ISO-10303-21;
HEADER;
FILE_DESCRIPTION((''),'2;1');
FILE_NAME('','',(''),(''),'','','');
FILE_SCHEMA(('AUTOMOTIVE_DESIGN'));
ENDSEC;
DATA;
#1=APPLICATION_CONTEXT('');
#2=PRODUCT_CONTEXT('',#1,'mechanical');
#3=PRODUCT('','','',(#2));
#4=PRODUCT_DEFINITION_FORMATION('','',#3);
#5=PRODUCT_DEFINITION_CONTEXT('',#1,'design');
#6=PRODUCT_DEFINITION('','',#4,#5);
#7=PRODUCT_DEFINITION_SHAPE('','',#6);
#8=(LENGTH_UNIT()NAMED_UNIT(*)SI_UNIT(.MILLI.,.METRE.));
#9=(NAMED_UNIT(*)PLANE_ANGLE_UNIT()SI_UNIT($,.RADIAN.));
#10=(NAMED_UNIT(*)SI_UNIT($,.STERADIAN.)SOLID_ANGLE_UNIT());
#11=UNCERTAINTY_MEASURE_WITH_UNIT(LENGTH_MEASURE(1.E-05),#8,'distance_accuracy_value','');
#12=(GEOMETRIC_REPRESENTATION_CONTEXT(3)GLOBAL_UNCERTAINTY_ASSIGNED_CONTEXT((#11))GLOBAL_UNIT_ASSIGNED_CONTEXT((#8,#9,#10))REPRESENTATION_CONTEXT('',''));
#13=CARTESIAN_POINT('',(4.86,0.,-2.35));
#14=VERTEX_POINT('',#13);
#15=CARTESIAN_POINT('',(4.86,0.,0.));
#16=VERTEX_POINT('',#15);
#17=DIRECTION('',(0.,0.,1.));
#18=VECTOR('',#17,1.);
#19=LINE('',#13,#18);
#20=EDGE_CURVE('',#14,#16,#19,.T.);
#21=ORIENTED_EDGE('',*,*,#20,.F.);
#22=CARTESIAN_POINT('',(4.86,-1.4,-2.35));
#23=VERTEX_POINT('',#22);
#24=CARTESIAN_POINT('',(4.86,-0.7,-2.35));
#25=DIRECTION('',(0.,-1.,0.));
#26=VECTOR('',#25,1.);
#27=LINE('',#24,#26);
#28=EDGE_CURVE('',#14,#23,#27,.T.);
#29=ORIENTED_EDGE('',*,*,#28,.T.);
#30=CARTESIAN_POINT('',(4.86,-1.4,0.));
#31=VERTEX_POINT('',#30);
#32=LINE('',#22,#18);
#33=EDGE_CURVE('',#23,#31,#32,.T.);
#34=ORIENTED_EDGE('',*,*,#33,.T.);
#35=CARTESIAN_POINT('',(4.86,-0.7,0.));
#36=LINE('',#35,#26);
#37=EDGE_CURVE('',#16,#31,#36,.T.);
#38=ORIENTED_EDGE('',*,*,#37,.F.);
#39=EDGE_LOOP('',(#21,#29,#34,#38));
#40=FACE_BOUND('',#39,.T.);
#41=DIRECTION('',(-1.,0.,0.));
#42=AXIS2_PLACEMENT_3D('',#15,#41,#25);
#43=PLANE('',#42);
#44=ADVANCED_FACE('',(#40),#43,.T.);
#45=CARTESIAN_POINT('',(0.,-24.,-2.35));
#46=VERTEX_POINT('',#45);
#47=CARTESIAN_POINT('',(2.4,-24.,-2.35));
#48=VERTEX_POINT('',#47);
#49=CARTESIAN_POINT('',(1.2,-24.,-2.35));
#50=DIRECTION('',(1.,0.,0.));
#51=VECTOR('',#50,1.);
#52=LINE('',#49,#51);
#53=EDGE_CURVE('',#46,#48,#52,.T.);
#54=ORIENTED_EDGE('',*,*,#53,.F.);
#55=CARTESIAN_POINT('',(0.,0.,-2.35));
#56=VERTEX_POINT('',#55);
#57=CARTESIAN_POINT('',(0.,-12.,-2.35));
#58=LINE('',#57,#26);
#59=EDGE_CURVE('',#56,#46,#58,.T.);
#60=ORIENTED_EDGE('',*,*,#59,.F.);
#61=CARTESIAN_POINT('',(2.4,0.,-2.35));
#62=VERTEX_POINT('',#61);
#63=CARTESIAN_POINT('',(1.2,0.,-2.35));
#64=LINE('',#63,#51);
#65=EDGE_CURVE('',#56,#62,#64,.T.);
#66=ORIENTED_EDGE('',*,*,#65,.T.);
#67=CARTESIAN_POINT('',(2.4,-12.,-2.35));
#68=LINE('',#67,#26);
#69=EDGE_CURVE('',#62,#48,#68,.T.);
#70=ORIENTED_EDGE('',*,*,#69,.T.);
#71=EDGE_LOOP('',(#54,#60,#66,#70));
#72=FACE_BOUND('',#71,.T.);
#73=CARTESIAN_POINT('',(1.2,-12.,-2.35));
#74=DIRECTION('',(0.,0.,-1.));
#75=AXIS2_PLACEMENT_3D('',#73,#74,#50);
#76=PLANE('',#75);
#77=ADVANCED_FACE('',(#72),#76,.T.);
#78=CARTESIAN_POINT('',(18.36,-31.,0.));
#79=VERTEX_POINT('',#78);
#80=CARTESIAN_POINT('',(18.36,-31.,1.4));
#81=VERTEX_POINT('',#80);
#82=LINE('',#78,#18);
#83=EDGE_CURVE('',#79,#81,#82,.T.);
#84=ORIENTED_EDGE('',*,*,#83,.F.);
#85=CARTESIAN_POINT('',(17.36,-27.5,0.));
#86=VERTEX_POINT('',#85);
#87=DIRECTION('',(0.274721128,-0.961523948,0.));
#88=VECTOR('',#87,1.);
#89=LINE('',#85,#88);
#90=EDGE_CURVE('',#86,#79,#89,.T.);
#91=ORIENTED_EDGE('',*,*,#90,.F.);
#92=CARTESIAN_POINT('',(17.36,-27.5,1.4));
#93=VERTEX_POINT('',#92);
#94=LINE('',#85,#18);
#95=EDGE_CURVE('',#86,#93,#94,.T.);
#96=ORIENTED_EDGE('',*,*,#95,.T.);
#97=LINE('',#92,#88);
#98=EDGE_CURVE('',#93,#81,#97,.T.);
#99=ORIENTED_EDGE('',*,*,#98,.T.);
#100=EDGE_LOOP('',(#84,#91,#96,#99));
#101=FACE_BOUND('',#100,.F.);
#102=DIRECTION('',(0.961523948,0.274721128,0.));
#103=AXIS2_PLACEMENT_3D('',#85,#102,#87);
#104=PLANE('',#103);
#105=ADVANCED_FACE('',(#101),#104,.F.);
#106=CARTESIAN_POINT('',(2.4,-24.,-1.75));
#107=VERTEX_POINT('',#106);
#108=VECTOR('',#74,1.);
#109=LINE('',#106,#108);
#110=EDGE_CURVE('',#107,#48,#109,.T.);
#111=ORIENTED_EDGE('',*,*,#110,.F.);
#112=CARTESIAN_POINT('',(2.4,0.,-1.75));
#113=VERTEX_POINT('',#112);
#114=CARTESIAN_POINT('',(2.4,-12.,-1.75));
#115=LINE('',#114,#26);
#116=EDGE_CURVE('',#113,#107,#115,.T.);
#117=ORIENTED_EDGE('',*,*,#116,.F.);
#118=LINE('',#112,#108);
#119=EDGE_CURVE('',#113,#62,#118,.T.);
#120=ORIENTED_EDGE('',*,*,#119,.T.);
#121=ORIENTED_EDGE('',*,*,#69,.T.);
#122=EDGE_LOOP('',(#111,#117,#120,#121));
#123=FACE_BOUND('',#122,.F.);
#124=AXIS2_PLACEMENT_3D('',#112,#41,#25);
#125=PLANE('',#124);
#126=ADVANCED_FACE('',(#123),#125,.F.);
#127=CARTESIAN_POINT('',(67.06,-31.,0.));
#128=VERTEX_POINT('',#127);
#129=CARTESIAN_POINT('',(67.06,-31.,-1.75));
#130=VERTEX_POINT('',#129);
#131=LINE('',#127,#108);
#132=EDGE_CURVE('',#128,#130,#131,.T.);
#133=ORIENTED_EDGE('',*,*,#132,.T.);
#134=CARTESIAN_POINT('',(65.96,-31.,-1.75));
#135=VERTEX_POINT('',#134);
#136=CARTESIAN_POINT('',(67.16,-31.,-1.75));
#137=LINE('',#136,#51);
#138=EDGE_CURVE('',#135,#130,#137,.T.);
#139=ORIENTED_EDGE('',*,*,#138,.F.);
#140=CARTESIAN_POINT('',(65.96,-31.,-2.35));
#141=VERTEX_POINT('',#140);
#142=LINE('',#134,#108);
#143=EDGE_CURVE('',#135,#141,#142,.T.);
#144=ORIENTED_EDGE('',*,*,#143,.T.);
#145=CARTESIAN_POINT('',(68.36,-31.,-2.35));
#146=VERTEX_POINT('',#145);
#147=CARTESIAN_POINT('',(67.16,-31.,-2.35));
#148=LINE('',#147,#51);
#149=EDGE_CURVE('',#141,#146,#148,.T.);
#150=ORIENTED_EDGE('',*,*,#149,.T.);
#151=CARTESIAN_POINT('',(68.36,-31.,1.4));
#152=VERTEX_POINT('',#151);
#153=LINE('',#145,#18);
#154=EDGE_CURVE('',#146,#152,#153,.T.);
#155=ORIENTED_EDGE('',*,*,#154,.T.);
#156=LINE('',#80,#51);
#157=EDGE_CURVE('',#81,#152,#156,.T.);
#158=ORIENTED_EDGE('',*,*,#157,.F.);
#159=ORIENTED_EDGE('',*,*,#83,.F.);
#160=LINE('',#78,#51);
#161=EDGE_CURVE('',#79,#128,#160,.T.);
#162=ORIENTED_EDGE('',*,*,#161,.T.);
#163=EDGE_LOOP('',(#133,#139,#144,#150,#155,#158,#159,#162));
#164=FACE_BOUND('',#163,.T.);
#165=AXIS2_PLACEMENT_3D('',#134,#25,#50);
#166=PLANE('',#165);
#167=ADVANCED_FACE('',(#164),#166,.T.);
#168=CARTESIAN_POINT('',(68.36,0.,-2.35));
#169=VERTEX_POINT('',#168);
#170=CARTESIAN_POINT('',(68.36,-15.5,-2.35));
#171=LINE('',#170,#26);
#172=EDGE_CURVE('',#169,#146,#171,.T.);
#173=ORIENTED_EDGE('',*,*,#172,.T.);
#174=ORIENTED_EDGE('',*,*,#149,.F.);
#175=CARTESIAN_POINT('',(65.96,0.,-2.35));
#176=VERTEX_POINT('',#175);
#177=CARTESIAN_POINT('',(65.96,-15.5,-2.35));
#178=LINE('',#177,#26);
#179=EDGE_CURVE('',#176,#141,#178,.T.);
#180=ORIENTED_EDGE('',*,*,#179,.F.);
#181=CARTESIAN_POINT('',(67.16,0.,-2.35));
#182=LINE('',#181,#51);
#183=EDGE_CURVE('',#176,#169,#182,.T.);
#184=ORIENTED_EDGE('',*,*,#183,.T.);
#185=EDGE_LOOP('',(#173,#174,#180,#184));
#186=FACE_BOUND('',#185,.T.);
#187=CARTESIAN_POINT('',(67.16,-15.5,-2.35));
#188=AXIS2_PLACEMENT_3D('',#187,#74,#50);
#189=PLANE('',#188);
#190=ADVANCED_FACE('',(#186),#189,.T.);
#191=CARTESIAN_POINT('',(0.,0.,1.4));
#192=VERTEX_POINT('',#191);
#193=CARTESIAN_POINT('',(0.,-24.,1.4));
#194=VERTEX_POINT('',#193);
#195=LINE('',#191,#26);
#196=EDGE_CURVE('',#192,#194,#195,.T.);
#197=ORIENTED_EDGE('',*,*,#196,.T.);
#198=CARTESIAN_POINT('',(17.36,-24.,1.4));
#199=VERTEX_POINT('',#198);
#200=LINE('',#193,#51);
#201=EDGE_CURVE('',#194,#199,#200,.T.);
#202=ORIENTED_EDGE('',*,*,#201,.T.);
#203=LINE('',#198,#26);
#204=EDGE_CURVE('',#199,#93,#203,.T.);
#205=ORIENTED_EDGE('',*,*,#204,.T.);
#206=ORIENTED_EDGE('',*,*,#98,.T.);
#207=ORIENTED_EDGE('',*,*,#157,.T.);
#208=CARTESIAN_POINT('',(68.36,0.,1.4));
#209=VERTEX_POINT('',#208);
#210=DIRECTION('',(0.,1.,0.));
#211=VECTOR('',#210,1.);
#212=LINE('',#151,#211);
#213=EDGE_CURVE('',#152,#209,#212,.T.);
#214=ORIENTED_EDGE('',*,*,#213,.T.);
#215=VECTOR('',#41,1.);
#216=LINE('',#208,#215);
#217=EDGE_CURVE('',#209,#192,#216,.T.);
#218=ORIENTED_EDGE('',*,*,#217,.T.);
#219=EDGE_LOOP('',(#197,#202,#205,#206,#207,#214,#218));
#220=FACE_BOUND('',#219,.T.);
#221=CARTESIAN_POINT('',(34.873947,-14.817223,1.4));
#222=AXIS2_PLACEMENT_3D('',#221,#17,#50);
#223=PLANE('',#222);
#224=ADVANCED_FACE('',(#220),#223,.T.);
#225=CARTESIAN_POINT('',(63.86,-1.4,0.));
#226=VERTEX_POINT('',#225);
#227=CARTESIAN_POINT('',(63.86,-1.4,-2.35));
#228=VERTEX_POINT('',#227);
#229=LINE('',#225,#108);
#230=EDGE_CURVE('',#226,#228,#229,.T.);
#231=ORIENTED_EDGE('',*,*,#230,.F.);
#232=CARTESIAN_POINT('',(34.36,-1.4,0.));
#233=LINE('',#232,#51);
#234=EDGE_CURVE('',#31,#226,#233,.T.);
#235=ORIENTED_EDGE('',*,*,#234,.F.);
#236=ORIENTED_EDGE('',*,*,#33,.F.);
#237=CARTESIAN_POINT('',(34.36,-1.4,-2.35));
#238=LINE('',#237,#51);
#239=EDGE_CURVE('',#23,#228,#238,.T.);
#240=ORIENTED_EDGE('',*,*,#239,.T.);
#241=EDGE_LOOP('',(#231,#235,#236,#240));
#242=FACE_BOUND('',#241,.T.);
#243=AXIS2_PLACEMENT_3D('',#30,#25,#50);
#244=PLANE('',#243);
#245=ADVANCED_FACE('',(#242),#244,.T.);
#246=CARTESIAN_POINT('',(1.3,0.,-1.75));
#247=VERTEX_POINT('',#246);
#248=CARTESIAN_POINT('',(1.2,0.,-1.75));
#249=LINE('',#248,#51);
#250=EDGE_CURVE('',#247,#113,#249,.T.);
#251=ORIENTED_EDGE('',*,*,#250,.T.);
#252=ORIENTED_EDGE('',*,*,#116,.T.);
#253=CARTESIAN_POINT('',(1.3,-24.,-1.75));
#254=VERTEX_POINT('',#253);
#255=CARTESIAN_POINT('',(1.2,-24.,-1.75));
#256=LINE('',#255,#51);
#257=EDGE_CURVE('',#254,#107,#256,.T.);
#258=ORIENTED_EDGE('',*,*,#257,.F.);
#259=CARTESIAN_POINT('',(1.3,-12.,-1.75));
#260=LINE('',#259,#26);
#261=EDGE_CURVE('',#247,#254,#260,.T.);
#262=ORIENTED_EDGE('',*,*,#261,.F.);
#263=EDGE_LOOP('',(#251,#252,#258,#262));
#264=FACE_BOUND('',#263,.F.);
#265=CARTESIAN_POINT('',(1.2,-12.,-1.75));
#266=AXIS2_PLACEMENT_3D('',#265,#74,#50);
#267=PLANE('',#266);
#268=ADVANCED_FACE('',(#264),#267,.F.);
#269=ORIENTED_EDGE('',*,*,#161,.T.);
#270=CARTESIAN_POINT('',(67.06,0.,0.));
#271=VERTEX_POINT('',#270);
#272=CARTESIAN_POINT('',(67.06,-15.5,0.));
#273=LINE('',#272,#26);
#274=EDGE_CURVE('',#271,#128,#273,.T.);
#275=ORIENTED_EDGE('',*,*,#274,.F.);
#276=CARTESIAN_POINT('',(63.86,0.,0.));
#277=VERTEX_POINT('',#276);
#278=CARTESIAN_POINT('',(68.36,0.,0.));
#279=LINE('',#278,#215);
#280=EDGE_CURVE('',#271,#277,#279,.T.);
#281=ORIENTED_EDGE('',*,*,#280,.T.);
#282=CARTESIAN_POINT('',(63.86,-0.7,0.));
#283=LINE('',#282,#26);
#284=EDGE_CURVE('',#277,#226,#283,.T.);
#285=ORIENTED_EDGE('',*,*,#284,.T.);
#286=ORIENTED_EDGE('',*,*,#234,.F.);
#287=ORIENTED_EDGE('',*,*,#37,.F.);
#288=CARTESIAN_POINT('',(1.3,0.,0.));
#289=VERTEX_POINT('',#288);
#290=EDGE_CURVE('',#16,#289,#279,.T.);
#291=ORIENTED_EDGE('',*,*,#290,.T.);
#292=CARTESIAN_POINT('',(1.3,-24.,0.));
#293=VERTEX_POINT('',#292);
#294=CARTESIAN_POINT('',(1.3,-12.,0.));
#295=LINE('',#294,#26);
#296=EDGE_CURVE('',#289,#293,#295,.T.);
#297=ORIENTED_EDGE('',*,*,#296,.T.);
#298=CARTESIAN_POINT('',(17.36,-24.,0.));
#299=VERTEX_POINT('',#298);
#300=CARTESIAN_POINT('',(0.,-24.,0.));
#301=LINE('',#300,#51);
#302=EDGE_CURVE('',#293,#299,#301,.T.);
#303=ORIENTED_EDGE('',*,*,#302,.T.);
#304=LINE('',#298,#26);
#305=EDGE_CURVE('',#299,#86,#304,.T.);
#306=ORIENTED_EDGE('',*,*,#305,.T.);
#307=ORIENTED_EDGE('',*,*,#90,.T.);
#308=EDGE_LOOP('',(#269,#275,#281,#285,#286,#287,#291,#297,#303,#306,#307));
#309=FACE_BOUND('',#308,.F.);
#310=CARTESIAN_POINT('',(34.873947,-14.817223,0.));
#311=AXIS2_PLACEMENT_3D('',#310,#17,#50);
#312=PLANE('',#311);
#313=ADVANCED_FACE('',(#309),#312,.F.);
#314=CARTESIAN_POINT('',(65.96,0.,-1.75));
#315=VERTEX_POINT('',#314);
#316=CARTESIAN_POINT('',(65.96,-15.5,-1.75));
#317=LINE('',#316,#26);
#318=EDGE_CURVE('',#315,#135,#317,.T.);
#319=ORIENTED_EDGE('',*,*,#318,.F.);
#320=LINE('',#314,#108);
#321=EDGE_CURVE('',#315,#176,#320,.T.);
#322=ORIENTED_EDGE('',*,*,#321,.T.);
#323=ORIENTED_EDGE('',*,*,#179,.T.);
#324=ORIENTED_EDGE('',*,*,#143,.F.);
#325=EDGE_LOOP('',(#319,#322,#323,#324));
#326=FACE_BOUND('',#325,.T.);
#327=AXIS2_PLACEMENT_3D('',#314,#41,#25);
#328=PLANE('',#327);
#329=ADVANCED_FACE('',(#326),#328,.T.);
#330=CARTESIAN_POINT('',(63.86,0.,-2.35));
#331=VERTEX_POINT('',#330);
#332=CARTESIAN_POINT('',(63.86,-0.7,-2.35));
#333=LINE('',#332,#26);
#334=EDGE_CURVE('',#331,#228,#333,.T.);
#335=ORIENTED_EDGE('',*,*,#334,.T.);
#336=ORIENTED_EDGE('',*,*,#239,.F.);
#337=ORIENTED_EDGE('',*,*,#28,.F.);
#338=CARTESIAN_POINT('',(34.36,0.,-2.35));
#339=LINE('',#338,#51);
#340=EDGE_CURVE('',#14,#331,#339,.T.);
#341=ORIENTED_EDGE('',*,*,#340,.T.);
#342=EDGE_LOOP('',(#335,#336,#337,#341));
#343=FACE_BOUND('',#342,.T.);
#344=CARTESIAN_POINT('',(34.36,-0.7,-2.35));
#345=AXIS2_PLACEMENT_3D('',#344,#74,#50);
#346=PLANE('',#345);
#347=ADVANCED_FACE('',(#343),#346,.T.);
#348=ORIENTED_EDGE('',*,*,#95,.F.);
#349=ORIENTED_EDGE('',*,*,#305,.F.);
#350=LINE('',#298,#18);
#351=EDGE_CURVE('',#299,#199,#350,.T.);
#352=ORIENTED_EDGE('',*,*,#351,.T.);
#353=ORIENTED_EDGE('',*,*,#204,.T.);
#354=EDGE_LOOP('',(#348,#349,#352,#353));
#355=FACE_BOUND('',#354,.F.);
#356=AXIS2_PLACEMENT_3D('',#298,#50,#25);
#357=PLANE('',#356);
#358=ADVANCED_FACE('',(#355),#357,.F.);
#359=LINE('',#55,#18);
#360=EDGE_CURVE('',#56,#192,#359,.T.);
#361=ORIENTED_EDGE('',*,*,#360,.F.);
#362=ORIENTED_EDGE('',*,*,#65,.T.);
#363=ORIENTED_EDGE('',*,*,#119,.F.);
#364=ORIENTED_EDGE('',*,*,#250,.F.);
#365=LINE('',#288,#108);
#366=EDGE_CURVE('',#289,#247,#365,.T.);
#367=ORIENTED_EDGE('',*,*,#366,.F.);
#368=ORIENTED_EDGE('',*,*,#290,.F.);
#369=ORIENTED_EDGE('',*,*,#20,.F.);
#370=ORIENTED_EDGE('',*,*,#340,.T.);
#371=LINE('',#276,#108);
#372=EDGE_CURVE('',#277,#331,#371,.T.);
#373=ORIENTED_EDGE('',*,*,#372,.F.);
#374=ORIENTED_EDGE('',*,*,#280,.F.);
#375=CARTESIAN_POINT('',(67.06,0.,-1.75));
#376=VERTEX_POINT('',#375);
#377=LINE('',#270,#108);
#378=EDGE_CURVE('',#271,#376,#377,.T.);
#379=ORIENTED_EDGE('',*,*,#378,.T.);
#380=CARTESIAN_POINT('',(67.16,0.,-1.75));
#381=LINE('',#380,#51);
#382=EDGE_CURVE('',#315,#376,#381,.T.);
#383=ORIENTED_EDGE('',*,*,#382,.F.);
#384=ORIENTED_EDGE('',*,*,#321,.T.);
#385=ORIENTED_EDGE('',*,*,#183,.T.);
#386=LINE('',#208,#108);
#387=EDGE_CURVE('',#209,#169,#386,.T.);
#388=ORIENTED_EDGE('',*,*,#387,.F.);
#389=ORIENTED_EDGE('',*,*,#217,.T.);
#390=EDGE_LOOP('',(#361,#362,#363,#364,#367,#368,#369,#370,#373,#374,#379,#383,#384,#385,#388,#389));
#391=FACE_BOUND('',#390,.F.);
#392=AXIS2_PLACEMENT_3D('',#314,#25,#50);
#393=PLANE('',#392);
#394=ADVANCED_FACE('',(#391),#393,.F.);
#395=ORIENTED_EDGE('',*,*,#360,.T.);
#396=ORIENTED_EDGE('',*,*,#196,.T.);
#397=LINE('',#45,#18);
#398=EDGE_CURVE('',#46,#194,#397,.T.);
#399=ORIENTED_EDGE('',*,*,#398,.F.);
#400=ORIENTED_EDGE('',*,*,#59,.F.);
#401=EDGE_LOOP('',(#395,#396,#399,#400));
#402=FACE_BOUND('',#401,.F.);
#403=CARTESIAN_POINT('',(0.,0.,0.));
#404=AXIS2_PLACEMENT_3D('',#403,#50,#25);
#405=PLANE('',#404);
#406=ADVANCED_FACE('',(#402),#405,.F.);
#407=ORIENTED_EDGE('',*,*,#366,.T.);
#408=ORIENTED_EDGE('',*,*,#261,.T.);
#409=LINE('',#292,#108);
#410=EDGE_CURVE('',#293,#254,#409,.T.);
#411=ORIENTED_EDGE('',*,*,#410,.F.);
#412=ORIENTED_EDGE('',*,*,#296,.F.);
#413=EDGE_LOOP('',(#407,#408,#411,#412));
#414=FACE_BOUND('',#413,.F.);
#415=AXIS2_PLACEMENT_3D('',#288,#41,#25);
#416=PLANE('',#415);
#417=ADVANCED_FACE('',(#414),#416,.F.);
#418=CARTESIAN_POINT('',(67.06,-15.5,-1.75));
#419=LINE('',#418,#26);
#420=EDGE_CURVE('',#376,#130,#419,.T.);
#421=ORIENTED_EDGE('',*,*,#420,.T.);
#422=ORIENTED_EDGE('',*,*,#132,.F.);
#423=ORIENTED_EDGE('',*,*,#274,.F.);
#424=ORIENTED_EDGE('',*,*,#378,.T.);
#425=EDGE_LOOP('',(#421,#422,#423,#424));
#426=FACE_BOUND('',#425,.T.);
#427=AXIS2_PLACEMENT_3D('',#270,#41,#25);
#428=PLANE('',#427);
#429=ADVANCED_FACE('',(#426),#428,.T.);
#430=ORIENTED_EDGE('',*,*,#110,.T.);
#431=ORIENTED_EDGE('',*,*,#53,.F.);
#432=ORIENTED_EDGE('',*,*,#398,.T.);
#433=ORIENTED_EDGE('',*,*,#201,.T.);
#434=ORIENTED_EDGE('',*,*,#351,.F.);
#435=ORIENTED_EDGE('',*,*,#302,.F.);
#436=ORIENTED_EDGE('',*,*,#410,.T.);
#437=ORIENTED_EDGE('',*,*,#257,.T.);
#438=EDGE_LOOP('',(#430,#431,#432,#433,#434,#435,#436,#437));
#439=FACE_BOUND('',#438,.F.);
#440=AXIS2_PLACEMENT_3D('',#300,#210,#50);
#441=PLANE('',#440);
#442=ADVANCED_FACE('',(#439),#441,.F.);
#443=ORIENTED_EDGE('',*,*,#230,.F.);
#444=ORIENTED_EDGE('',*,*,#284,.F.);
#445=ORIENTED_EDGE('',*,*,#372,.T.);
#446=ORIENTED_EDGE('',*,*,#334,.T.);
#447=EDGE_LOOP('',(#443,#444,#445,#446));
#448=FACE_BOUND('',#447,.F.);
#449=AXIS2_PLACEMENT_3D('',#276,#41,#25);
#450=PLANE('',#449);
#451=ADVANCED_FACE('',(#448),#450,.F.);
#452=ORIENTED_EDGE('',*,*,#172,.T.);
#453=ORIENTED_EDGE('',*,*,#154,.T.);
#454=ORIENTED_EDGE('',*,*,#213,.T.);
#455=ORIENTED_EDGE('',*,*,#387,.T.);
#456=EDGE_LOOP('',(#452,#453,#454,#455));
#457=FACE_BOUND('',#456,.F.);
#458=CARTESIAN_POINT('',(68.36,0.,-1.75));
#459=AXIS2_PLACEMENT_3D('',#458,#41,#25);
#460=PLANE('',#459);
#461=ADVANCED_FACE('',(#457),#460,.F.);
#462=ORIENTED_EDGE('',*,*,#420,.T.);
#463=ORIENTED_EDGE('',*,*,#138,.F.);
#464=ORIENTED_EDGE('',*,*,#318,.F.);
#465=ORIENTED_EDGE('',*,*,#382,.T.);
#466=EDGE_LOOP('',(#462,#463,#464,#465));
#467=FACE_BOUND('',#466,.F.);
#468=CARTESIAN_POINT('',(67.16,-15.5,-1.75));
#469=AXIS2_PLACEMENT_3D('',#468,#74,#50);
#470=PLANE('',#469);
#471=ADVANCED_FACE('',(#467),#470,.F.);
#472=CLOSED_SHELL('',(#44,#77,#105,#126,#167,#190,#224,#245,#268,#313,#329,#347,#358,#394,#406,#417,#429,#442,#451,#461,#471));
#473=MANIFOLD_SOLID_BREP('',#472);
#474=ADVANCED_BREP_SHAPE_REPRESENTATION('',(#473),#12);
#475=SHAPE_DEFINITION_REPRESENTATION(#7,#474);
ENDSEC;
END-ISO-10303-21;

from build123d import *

# Parameters (mm, degrees)
F1_DEPTH = 1.4
F2_W     = 1.3
F2_H     = 31
F2_H_2   = 24
F2_W_2   = 59
F2_H_3   = 1.4
F3_DEPTH = 1.75
F4_W     = 2.4
F4_H     = 31
F4_H_2   = 24
F4_W_2   = 59
F4_H_3   = 1.4
F5_DEPTH = 0.6


with BuildPart() as f1:
    # F0 (on Top) → F1 (new body)
    with BuildSketch(Plane.XY):
        Polygon((68.36, 0), (0, 0), (0, -24), (17.36, -24), (17.36, -27.5), (18.36, -31), (68.36, -31), align=None)
    extrude(amount=F1_DEPTH)

    # F2 (on face) → F3 (join)
    with BuildSketch(Plane(origin=(0, 0, 0), x_dir=(1, 0, 0), z_dir=(0, 0, -1))):
        with Locations((67.71, 15.5)):
            Rectangle(F2_W, F2_H)
        with Locations((0.65, 12)):
            Rectangle(F2_W, F2_H_2)
        with Locations((34.36, 0.7)):
            Rectangle(F2_W_2, F2_H_3)
    extrude(amount=F3_DEPTH)

    # F4 (on face) → F5 (join)
    with BuildSketch(Plane(origin=(0, 0, -1.75), x_dir=(1, 0, 0), z_dir=(0, 0, -1))):
        with Locations((67.16, 15.5)):
            Rectangle(F4_W, F4_H)
        with Locations((1.2, 12)):
            Rectangle(F4_W, F4_H_2)
        with Locations((34.36, 0.7)):
            Rectangle(F4_W_2, F4_H_3)
    extrude(amount=F5_DEPTH)


solid = f1.part
